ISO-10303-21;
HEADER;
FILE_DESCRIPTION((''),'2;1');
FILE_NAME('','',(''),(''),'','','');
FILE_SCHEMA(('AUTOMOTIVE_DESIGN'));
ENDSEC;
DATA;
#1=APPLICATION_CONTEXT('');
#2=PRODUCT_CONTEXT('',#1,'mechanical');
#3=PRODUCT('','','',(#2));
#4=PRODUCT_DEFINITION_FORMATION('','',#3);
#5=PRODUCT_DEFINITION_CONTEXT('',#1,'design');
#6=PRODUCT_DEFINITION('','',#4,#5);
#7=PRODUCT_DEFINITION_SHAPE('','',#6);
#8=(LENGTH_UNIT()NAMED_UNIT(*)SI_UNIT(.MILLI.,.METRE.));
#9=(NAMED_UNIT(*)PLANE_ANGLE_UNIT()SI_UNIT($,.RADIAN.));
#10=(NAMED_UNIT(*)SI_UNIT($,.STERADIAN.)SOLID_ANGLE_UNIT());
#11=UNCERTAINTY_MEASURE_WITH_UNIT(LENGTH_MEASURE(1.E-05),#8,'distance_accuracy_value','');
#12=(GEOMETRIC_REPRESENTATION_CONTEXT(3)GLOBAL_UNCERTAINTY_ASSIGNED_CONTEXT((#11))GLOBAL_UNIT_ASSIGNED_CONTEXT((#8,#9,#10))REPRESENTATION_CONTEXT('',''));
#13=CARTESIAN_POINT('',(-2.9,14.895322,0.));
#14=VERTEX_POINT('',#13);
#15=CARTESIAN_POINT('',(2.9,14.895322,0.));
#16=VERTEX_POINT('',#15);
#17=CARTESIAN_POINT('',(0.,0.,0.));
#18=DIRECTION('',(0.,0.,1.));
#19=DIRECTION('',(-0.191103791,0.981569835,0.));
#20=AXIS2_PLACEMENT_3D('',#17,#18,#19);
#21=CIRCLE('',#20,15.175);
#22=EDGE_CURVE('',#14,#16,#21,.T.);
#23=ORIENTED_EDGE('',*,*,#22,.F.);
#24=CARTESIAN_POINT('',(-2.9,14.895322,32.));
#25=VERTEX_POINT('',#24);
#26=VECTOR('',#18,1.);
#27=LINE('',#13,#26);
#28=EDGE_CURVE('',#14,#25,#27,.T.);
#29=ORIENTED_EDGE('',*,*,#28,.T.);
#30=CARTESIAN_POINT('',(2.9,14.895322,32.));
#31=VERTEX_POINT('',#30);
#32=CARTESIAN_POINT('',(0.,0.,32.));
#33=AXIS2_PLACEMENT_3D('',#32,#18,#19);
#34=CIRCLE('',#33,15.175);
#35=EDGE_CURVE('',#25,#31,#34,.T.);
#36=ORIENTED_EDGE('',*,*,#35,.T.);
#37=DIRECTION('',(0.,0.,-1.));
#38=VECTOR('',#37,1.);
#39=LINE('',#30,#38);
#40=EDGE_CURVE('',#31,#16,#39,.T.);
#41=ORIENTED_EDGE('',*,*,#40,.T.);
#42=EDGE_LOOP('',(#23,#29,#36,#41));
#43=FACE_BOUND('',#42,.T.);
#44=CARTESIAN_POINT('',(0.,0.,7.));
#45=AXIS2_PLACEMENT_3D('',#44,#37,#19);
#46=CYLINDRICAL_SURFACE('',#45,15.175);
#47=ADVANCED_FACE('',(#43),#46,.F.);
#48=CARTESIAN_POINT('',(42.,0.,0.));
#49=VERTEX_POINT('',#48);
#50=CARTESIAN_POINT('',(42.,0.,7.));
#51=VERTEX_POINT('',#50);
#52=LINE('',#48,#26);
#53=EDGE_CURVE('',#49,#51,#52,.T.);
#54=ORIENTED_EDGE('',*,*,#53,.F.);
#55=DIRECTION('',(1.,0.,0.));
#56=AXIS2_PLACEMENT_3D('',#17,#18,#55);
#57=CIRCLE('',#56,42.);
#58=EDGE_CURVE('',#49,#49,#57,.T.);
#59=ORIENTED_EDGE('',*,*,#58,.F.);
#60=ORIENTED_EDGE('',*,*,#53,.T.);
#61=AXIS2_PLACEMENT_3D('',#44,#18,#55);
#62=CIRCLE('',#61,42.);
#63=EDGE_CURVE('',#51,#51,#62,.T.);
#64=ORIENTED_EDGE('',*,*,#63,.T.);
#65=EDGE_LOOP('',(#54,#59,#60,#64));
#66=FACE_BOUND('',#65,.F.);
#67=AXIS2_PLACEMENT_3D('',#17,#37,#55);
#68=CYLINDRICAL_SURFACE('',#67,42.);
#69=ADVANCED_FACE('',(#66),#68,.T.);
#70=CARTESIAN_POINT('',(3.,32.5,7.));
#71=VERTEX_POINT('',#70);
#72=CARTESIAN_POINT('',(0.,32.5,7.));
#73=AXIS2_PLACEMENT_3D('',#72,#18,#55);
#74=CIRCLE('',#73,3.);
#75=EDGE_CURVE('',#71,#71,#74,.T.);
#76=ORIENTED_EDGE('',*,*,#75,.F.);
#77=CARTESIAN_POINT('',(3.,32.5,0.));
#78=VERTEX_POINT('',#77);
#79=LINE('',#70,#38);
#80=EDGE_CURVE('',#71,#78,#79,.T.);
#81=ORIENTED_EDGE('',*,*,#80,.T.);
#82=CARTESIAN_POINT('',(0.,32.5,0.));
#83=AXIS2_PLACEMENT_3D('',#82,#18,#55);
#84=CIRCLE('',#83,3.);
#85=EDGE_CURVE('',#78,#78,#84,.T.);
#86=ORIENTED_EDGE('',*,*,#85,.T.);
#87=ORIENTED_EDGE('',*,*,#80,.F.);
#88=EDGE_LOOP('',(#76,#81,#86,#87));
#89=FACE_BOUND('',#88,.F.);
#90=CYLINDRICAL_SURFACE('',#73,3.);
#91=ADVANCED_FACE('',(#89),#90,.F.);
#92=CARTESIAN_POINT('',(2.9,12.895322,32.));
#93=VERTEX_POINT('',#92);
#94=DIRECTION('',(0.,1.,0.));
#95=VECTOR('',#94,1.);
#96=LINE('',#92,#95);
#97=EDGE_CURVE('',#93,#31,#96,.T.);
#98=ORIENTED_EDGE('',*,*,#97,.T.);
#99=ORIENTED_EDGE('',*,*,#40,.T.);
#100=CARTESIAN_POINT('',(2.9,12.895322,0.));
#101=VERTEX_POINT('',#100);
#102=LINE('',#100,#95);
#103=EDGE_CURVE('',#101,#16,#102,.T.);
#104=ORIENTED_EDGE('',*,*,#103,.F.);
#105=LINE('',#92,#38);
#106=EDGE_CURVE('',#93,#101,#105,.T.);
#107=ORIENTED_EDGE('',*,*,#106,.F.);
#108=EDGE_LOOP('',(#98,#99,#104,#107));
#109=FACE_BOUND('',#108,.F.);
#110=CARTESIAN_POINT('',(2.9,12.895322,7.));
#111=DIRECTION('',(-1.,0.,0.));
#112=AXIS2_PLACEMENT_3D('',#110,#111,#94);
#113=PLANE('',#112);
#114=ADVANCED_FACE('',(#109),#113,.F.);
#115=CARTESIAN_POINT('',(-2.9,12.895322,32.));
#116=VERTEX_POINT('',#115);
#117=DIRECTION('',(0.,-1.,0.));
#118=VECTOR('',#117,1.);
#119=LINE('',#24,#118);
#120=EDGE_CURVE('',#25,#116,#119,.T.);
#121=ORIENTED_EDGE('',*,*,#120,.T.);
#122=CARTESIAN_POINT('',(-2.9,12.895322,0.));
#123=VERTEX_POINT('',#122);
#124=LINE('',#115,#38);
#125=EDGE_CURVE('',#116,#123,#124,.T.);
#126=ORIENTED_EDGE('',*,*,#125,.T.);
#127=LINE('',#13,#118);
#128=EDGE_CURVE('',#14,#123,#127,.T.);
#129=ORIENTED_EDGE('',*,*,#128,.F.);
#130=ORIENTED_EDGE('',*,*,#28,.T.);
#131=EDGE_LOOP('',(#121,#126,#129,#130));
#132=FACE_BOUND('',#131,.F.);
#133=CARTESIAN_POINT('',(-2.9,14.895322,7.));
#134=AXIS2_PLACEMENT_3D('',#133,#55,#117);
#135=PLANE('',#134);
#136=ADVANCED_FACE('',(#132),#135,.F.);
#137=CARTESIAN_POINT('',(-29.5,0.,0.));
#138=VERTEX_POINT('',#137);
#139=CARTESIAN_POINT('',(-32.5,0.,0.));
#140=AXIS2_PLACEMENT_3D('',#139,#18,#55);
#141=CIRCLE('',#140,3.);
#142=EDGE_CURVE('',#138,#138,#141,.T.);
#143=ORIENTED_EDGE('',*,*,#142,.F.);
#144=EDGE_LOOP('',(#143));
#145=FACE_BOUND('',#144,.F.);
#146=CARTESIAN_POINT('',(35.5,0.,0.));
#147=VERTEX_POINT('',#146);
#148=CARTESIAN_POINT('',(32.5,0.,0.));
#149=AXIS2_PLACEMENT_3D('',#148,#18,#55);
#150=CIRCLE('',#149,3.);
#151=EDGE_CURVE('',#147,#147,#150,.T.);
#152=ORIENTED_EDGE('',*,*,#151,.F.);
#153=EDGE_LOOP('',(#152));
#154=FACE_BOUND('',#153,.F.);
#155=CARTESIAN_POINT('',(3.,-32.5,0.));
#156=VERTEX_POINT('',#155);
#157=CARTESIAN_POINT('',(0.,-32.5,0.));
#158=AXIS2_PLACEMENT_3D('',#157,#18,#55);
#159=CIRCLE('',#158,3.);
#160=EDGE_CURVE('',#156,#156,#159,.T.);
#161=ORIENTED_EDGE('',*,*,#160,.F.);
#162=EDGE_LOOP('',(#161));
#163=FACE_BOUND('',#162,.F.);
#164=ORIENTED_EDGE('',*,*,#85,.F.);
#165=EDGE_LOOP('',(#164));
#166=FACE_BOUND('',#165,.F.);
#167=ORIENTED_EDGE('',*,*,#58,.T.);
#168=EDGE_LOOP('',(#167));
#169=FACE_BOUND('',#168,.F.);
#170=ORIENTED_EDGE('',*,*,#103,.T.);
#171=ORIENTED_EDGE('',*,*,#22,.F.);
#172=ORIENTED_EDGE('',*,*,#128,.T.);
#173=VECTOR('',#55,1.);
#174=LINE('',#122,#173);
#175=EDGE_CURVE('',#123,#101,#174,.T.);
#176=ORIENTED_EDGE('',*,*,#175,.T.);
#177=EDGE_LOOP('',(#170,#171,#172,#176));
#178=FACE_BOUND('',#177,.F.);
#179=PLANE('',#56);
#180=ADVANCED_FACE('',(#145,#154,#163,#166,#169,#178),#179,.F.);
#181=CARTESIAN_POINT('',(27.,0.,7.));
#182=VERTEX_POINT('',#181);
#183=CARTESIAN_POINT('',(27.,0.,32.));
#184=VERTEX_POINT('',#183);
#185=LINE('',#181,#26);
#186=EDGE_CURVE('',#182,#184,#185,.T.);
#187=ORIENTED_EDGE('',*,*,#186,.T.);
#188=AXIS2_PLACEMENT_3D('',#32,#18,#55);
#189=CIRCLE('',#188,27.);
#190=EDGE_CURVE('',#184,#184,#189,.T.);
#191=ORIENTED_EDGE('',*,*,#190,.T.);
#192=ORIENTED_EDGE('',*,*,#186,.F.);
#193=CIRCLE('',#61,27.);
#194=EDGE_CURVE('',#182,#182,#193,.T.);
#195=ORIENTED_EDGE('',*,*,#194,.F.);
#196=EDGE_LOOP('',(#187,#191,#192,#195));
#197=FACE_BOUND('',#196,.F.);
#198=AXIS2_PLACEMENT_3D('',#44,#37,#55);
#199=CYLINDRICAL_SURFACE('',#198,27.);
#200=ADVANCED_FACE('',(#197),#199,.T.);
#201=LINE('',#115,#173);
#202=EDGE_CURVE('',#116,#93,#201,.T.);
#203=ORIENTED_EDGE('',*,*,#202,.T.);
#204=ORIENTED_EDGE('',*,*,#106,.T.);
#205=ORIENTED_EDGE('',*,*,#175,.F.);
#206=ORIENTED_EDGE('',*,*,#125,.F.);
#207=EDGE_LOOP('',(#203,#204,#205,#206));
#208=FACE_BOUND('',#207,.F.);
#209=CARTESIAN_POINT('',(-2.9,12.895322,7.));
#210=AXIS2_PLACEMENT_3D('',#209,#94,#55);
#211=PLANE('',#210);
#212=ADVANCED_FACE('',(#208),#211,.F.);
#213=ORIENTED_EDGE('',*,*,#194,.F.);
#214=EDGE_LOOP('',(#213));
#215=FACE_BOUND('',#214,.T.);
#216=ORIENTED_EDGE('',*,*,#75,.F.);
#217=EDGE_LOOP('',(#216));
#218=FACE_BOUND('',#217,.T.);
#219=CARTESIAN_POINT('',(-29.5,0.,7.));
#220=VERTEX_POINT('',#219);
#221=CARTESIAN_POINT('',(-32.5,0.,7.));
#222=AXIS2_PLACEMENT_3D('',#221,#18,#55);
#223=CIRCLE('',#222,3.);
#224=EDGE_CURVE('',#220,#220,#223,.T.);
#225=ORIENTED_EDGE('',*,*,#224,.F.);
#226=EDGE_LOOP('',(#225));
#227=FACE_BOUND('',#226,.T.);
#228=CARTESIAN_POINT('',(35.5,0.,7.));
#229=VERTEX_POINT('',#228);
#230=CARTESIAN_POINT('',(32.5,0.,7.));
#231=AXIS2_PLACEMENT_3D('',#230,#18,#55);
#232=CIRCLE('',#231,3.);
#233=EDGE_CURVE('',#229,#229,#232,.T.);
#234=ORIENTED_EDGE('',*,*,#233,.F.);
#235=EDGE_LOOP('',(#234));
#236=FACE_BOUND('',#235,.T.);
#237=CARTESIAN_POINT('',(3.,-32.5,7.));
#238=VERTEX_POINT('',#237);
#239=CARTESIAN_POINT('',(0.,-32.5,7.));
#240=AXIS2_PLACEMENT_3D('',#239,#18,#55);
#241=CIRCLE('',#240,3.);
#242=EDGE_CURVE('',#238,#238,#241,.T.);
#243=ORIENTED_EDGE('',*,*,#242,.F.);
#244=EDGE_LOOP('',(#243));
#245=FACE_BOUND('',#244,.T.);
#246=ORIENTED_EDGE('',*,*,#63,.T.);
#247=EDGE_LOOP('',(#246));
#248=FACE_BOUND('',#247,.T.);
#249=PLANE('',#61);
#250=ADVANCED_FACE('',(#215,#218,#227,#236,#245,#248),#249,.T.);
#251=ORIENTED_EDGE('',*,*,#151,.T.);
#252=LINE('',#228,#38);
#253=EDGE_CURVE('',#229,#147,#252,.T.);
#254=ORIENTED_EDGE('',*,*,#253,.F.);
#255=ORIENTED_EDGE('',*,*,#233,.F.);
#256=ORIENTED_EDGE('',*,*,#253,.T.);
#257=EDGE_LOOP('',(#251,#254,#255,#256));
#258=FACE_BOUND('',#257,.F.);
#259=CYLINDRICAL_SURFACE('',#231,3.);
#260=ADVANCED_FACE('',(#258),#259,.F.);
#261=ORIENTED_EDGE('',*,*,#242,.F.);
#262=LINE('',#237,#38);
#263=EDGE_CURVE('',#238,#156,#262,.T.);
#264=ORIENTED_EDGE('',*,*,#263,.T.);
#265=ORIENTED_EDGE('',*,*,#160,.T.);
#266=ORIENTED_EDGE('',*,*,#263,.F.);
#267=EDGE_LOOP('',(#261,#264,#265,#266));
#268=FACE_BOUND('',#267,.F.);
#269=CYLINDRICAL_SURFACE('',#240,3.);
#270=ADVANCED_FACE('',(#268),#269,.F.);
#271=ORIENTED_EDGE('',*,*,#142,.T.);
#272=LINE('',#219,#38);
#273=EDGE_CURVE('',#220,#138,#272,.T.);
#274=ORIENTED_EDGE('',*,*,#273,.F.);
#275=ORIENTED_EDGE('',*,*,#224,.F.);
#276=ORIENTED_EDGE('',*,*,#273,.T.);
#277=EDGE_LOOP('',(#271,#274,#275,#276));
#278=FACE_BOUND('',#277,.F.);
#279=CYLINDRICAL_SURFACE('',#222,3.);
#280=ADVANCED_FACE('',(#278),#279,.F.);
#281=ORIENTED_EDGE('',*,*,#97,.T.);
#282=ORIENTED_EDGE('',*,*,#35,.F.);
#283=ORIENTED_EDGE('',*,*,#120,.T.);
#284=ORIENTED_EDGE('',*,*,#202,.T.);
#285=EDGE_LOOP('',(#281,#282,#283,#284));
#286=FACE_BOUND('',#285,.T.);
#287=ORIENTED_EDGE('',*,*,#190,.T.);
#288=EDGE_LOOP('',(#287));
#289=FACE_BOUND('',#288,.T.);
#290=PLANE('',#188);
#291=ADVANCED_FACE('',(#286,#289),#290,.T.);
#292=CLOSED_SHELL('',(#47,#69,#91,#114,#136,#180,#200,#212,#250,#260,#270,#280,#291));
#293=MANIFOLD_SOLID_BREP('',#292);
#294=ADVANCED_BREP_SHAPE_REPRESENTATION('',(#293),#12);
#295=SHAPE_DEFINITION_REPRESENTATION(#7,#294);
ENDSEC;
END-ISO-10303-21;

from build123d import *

# Parameters (mm, degrees)
SKETCH_R     = 42
PAD_DEPTH    = 7
SKETCH003_R  = 27
PAD001_DEPTH = 25
SKETCH004_R  = 3
HOLE_DEPTH   = 25


with BuildPart() as part:
    # Sketch → Pad (new body)
    with BuildSketch(Plane.XY):
        Circle(SKETCH_R)
        with BuildLine():
            Line((-2.9, 14.895322), (-2.9, 12.895322))
            Line((-2.9, 12.895322), (2.9, 12.895322))
            Line((2.9, 12.895322), (2.9, 14.895322))
            ThreePointArc((-2.9, 14.895322), (0, -15.175), (2.9, 14.895322))
        make_face(mode=Mode.SUBTRACT)
    extrude(amount=PAD_DEPTH)

    # Sketch003 (on Face7 of Pad) → Pad001 (join)
    with BuildSketch(Plane.XY.offset(7)):
        Circle(SKETCH003_R)
        with BuildLine():
            ThreePointArc((-2.9, 14.895322), (0, -15.175), (2.9, 14.895322))
            Line((2.9, 12.895322), (2.9, 14.895322))
            Line((-2.9, 12.895322), (2.9, 12.895322))
            Line((-2.9, 14.895322), (-2.9, 12.895322))
        make_face(mode=Mode.SUBTRACT)
    extrude(amount=PAD001_DEPTH)

    # Sketch004 (on Face3 of Pad001) → Hole (cut)
    with BuildSketch(Plane.XY.offset(7)):
        with Locations((0, 32.5)):
            Circle(SKETCH004_R)
        with Locations((0, -32.5)):
            Circle(SKETCH004_R)
        with Locations((32.5, 0)):
            Circle(SKETCH004_R)
        with Locations((-32.5, 0)):
            Circle(SKETCH004_R)
    extrude(amount=-HOLE_DEPTH, mode=Mode.SUBTRACT)


solid = part.part
